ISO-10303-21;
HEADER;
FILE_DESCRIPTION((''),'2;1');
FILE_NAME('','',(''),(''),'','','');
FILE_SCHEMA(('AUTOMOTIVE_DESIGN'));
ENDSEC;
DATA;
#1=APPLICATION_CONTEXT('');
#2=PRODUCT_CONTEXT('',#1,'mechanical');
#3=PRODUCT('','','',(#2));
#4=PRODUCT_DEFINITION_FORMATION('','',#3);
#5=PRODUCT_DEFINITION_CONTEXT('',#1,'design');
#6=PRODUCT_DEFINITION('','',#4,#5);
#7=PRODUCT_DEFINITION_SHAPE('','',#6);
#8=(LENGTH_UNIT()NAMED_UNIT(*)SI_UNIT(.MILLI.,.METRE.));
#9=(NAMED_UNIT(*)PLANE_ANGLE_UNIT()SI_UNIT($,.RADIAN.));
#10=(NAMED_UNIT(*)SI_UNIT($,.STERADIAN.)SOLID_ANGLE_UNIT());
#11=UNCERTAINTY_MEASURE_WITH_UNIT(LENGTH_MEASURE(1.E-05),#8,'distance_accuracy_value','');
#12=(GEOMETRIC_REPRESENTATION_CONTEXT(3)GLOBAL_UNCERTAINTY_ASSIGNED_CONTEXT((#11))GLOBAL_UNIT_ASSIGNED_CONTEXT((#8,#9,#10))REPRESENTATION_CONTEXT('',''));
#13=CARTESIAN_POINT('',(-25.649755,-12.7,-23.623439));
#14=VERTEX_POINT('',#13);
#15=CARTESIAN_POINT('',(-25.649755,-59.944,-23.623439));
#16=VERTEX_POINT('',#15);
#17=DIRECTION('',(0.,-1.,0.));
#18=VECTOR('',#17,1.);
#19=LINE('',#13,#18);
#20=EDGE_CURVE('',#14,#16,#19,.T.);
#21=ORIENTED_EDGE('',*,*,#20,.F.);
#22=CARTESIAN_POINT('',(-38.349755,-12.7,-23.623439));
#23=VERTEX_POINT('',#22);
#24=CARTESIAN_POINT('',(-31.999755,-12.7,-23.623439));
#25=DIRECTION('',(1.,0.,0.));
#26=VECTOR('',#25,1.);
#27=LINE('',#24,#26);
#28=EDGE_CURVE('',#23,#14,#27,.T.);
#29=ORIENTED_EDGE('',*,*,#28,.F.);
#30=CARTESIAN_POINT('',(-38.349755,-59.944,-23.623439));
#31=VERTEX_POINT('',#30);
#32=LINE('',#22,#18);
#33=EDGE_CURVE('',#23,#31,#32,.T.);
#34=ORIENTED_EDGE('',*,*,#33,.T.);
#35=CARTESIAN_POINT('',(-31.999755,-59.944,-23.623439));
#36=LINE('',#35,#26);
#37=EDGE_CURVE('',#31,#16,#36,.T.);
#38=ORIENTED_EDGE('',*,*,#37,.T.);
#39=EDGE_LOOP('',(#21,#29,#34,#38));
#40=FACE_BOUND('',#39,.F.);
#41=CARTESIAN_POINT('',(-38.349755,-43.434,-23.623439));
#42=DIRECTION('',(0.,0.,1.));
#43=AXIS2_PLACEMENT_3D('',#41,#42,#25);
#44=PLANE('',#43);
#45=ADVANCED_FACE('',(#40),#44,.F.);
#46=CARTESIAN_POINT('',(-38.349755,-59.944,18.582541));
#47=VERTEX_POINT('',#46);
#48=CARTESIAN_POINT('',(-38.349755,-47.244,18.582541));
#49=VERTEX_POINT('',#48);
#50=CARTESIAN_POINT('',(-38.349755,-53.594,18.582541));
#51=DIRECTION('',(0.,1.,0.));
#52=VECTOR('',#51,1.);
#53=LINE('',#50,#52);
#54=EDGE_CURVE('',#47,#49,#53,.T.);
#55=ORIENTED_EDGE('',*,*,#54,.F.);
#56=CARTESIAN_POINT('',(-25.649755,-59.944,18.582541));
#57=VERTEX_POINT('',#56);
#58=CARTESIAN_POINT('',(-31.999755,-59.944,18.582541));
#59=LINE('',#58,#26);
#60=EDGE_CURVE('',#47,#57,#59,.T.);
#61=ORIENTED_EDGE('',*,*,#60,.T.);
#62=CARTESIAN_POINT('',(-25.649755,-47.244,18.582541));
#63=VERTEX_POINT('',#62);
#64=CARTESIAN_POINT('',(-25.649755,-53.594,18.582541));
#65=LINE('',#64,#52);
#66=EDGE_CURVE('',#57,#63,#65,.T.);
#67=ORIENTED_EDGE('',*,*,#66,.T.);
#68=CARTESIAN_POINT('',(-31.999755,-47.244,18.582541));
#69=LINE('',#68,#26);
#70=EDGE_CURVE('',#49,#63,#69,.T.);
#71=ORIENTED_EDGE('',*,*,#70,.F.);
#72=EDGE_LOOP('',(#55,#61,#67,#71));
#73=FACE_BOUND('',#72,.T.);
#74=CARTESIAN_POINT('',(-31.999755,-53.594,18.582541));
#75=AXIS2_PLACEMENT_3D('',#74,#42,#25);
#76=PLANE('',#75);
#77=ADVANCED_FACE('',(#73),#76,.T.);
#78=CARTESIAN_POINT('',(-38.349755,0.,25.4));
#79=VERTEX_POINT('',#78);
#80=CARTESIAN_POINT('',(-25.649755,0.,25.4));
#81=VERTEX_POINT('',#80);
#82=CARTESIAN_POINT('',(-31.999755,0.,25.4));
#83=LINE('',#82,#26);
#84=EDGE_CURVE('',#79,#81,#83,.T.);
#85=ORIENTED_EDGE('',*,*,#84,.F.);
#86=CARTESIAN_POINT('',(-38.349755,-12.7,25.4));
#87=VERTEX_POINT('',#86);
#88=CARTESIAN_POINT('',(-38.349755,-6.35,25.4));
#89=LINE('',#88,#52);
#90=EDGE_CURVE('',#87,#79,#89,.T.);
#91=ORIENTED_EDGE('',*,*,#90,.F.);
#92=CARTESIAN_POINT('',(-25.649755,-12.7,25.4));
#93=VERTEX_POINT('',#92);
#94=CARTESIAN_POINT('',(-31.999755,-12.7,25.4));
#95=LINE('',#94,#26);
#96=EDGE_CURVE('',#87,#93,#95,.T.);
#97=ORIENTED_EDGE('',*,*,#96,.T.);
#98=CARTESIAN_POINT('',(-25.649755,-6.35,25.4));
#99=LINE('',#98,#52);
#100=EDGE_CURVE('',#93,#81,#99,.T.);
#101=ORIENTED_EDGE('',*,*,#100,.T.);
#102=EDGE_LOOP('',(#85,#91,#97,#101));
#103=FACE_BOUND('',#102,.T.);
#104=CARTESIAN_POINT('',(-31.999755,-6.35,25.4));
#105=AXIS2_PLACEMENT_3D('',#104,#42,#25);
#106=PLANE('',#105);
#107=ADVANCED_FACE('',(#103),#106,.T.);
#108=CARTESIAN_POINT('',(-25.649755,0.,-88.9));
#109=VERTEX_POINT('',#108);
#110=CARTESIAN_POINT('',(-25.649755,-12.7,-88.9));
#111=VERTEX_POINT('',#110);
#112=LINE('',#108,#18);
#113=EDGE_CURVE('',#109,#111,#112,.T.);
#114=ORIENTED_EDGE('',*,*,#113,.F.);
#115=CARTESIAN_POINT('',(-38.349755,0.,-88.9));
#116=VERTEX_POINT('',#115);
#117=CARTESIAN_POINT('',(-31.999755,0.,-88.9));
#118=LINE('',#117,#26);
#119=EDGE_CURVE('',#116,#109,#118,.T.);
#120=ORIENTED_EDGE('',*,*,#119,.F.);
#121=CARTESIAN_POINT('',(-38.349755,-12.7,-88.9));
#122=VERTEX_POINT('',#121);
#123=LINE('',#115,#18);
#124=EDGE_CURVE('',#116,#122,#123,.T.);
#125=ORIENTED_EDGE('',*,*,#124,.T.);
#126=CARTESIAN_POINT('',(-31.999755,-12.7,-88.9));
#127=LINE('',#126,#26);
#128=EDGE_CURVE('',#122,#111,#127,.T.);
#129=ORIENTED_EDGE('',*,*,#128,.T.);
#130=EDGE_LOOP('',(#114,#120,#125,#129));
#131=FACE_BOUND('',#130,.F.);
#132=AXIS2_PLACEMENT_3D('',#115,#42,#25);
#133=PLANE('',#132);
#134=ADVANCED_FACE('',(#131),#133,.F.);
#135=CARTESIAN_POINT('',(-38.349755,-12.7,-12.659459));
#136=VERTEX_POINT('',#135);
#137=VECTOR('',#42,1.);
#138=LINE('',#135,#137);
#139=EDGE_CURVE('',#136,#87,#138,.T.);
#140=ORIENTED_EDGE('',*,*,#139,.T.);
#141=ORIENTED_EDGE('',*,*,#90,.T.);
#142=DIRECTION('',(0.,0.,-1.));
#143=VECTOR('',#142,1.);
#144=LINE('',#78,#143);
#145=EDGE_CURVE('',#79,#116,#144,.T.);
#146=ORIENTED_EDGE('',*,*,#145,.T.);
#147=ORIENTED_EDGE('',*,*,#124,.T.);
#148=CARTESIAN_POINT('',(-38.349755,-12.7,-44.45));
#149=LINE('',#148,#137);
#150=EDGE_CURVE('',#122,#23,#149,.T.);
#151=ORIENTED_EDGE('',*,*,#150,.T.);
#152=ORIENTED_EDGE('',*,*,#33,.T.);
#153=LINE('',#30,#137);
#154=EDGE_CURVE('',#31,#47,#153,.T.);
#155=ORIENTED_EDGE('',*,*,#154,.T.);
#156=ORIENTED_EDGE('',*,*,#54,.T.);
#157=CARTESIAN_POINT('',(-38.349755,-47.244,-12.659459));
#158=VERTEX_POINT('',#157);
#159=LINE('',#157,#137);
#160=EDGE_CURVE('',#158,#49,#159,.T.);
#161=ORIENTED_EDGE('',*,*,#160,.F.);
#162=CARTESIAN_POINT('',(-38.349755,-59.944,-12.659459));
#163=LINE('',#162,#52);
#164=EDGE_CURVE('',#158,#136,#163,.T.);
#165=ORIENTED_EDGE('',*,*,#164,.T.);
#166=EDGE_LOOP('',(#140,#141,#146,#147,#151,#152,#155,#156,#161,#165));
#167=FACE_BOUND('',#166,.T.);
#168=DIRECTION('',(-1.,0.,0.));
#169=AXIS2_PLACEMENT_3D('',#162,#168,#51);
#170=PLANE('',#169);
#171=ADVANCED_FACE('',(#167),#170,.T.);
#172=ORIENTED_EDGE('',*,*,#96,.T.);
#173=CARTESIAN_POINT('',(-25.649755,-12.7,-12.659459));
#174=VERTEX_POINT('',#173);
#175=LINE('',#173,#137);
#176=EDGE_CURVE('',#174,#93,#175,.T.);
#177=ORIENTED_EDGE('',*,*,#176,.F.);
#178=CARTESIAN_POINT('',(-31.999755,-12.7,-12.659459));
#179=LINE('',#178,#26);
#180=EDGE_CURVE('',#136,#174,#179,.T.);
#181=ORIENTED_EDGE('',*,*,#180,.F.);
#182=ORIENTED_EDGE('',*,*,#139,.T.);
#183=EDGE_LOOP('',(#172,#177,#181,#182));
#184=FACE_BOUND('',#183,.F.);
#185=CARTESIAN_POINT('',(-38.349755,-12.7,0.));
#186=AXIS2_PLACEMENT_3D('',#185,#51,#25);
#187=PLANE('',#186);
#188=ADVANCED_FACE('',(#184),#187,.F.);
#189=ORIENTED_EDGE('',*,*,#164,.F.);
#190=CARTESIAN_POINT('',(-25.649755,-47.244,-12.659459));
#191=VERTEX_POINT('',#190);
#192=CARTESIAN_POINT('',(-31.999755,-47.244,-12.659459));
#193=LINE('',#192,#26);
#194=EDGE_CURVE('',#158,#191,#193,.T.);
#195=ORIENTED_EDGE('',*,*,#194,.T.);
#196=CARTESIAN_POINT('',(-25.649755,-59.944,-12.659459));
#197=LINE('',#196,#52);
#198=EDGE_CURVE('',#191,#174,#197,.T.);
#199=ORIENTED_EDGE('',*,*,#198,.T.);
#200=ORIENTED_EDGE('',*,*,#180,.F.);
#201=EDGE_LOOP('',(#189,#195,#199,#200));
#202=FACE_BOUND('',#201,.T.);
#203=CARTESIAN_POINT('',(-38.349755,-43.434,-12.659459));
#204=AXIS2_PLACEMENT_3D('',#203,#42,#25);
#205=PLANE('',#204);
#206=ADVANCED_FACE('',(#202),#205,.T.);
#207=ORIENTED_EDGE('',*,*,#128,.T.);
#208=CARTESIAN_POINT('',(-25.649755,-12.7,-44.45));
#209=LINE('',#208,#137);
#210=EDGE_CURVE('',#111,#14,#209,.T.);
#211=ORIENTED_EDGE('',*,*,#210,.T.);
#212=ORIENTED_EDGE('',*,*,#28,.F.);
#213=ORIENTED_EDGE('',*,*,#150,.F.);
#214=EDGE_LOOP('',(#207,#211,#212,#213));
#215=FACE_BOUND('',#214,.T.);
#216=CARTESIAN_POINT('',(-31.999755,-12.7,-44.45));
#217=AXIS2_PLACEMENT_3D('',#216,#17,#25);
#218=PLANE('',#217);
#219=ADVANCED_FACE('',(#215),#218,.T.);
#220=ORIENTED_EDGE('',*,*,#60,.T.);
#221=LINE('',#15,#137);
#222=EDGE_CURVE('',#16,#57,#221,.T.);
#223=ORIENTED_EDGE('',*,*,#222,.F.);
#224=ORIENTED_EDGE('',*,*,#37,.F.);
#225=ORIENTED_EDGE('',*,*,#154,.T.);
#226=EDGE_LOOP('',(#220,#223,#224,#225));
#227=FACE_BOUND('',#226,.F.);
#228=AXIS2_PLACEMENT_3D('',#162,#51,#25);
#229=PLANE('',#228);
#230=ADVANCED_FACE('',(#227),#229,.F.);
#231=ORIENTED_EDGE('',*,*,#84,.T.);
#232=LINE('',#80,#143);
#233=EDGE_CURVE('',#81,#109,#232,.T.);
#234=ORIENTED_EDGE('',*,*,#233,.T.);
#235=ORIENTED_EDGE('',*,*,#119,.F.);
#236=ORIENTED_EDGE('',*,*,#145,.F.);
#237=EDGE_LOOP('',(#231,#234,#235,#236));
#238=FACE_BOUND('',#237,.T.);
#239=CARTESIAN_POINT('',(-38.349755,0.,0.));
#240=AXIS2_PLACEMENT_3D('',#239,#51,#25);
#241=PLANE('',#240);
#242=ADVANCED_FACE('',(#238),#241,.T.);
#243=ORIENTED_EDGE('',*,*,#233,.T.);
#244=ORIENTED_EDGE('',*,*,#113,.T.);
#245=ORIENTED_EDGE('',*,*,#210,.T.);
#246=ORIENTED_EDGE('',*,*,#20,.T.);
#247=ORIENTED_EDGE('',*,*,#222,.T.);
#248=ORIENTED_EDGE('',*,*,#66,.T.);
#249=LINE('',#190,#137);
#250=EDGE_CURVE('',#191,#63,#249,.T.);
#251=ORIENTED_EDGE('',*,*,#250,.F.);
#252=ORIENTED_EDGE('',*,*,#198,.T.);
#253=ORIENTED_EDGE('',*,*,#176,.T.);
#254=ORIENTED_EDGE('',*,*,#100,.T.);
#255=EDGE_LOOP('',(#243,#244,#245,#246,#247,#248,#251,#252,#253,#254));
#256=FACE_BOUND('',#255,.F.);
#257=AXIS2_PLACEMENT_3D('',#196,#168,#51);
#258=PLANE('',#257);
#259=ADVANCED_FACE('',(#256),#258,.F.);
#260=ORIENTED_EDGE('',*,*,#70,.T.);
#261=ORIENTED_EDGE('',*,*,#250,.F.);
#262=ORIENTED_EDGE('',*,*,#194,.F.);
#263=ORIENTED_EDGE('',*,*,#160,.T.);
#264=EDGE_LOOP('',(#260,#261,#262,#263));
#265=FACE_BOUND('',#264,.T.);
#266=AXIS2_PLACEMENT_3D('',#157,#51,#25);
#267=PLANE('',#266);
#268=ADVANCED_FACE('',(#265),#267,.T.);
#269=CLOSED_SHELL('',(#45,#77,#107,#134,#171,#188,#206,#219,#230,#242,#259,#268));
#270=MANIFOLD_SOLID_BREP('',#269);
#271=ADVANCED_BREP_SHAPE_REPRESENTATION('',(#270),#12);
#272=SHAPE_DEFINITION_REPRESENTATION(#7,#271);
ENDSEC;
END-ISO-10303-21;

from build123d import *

# Parameters (mm, degrees)
F0_W     = 12.7
F0_H     = 88.9
F1_DEPTH = 12.7
F2_W     = 12.7
F2_H     = 10.96398
F3_DEPTH = 30.734
F4_W     = 12.7
F4_H     = 12.7
F5_DEPTH = 25.4
F6_W     = 12.7
F6_H     = 10.96398
F7_DEPTH = 16.51
F8_W     = 12.7
F8_H     = 12.7
F9_DEPTH = 31.242


with BuildPart() as f1:
    # F0 (on Front) → F1 (new body)
    with BuildSketch(Plane.XZ):
        with Locations((-31.999755, -44.45)):
            Rectangle(F0_W, F0_H)
    extrude(amount=F1_DEPTH)

    # F2 (on face) → F3 (join)
    with BuildSketch(Plane.XZ.offset(12.7)):
        with Locations((-31.999755, -18.141449)):
            Rectangle(F2_W, F2_H)
    extrude(amount=F3_DEPTH)

    # F4 (on face) → F5 (join)
    with BuildSketch(Plane.XY):
        with Locations((-31.999755, -6.35)):
            Rectangle(F4_W, F4_H)
    extrude(amount=F5_DEPTH)

    # F6 (on face) → F7 (join)
    with BuildSketch(Plane.XZ.offset(43.434)):
        with Locations((-31.999755, -18.141449)):
            Rectangle(F6_W, F6_H)
    extrude(amount=F7_DEPTH)

    # F8 (on face) → F9 (join)
    with BuildSketch(Plane.XY.offset(-12.659459)):
        with Locations((-31.999755, -53.594)):
            Rectangle(F8_W, F8_H)
    extrude(amount=F9_DEPTH)


solid = f1.part
